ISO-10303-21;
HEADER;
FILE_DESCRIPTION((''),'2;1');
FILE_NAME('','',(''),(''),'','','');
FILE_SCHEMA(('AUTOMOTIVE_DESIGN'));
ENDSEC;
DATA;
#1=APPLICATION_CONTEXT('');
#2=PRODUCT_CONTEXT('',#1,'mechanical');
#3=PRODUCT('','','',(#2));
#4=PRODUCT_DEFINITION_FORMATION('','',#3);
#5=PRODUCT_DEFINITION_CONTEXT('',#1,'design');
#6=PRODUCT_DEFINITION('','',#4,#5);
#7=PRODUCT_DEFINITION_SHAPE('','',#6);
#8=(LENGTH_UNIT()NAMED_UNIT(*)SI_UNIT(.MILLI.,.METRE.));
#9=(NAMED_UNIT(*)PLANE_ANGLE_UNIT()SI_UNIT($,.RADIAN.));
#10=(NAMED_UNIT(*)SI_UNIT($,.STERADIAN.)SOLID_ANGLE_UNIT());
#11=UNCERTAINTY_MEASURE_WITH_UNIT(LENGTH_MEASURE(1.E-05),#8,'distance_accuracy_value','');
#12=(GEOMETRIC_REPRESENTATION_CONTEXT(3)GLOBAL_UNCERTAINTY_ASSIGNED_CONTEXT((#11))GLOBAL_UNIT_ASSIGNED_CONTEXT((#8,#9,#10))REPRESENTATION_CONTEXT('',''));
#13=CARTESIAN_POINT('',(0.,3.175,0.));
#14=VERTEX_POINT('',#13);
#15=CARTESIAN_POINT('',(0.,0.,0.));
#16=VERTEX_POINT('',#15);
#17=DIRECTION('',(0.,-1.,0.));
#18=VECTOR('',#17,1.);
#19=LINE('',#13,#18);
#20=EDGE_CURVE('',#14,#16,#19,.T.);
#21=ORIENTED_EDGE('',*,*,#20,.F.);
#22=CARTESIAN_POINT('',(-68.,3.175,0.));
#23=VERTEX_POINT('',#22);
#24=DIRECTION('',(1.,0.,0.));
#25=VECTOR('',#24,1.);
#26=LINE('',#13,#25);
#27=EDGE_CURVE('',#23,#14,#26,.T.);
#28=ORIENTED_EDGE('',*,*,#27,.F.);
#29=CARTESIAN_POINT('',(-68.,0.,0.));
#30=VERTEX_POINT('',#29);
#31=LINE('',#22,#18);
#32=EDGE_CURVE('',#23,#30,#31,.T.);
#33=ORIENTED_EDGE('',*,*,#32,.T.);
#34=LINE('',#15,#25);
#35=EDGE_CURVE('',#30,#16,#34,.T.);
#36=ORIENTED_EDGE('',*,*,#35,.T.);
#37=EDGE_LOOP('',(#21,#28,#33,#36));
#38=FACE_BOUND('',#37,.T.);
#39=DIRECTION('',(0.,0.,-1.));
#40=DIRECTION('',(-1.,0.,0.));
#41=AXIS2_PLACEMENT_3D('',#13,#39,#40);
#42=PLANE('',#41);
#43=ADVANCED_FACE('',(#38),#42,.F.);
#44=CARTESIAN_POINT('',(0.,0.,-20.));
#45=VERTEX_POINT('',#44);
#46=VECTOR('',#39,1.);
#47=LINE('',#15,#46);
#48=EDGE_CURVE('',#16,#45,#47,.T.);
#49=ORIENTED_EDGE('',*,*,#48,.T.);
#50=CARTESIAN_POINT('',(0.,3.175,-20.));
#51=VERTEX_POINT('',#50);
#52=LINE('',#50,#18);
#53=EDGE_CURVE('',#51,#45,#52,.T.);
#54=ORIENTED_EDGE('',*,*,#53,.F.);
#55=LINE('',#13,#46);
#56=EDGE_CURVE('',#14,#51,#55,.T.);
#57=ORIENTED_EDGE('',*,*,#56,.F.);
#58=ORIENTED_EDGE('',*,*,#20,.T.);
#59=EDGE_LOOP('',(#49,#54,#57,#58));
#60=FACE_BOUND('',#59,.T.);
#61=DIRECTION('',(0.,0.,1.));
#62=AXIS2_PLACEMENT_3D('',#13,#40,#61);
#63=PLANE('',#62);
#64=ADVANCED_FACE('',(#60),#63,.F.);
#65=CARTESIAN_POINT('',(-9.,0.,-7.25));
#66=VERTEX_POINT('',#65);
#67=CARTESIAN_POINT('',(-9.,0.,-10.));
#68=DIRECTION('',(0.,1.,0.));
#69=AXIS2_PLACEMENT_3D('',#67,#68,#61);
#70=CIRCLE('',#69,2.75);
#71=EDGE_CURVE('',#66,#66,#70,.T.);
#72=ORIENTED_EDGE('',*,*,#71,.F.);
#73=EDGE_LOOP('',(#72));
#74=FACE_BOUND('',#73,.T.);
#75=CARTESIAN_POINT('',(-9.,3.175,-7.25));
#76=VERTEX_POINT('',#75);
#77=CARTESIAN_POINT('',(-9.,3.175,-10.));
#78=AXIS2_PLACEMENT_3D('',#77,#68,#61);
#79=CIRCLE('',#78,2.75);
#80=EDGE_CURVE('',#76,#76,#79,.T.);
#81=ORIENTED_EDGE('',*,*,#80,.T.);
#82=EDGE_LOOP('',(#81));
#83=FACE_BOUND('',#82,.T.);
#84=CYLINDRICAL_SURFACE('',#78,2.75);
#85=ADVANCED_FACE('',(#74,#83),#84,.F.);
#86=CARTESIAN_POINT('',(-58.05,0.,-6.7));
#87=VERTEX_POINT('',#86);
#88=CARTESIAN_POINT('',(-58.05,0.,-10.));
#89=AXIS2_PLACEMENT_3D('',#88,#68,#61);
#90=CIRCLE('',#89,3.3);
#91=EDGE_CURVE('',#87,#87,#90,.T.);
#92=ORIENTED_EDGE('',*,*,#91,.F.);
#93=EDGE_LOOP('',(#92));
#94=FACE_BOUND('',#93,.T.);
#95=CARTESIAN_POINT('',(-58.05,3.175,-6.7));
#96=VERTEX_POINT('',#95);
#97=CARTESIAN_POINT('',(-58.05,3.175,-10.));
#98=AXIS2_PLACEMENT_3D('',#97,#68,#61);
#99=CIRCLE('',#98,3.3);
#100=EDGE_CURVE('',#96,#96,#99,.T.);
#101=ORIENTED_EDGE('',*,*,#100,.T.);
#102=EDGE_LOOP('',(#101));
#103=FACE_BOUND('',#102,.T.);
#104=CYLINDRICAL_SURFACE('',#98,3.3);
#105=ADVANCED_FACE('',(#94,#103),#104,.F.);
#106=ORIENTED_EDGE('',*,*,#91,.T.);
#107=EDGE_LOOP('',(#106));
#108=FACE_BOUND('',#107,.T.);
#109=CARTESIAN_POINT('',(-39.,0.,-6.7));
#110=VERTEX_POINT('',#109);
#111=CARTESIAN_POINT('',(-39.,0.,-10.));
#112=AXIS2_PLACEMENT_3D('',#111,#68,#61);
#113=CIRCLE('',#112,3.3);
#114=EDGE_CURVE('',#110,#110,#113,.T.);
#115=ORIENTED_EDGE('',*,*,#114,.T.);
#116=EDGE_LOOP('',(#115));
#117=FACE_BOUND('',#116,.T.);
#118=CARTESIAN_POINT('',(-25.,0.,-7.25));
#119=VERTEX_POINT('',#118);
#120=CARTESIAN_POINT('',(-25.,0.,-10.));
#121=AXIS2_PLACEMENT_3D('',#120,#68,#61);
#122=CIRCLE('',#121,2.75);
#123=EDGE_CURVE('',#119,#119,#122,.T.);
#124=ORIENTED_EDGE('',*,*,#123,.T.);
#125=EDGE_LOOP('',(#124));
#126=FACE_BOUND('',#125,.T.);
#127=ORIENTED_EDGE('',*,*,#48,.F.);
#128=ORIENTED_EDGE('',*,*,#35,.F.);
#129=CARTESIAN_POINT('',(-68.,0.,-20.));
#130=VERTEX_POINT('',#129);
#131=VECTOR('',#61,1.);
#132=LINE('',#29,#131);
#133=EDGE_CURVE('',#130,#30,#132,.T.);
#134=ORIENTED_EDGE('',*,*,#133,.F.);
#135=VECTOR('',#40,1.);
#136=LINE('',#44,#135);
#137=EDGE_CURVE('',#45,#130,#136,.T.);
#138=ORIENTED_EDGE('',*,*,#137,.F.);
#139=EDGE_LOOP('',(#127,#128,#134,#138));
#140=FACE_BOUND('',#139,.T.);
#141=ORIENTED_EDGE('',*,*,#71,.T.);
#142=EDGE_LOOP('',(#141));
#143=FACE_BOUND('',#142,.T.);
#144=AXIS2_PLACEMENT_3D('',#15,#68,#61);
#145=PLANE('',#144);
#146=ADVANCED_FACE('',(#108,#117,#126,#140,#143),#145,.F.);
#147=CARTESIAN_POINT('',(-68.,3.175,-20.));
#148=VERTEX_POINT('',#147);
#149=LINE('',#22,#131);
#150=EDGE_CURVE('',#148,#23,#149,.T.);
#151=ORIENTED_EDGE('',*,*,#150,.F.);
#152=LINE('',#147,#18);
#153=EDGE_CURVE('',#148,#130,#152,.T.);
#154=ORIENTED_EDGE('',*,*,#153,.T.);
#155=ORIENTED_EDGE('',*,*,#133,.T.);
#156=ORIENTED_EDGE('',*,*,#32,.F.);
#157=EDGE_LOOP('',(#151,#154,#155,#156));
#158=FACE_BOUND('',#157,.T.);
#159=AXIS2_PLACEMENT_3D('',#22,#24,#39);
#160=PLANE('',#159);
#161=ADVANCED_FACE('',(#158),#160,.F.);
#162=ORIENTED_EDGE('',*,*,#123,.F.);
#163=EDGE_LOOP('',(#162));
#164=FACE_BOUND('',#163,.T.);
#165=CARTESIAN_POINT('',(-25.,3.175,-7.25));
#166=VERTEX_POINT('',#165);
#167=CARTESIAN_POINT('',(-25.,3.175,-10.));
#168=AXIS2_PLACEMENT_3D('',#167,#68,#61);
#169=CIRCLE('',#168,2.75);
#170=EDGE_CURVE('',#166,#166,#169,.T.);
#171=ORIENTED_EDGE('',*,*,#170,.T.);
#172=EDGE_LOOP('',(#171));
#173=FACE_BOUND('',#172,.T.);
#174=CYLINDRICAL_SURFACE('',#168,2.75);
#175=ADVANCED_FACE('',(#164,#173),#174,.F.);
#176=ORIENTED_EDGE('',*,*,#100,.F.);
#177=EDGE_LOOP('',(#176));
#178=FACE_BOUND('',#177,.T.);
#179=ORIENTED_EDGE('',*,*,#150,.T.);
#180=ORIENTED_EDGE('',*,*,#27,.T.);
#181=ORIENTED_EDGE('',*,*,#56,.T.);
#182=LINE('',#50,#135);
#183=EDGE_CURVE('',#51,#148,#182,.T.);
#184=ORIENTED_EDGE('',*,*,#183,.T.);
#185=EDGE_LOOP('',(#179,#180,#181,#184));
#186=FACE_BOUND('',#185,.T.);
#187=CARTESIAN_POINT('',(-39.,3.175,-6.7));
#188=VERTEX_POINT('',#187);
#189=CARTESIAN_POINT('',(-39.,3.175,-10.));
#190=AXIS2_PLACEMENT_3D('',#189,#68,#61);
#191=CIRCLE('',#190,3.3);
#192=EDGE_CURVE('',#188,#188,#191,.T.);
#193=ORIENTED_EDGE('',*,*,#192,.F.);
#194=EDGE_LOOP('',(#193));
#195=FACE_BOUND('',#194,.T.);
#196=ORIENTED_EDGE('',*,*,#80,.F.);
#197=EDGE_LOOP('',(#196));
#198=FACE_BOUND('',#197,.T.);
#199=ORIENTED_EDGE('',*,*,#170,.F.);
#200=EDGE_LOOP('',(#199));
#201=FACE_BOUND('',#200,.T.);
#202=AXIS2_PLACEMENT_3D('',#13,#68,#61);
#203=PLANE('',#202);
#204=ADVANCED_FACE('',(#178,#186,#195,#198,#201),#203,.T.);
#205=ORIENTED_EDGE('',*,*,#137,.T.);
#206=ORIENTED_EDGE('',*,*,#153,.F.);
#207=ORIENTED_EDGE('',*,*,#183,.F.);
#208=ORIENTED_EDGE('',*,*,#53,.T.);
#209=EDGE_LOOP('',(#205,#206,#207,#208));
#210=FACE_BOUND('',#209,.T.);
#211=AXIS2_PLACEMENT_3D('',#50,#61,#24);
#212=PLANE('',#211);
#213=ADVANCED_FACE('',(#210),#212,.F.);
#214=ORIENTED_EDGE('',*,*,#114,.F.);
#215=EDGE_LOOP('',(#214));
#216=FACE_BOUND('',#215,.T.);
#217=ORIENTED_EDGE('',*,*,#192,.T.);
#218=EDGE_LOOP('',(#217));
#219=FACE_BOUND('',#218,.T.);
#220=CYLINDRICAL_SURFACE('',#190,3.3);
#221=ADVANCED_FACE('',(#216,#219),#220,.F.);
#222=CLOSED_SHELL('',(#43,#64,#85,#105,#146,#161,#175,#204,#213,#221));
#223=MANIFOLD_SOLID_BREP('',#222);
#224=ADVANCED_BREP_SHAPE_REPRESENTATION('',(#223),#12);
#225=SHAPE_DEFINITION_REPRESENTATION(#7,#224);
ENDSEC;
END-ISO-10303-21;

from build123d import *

# Parameters (mm, degrees)
SKETCH1_W                = 68
SKETCH1_H                = 20
BOSS_EXTRUDE1_DEPTH      = 3.175
M6_CLEARANCE_HOLE1_D     = 6.6
M6_CLEARANCE_HOLE1_DEPTH = 14
M6_CLEARANCE_HOLE1_TIP   = 1.982840043
M5_CLEARANCE_HOLE1_D     = 5.5
M5_CLEARANCE_HOLE1_DEPTH = 14
M5_CLEARANCE_HOLE1_TIP   = 1.652366702


with BuildPart() as part:
    # Sketch1 → Boss-Extrude1 (new body)
    with BuildSketch(Plane(origin=(0, 0, 0), x_dir=(1, 0, 0), z_dir=(0, 1, 0))):
        with Locations((-34, 10)):
            Rectangle(SKETCH1_W, SKETCH1_H)
    extrude(amount=BOSS_EXTRUDE1_DEPTH)

    # M6 Clearance Hole1
    with Locations(Plane(origin=(-39, 3.175, -10), x_dir=(0, 0, 1), z_dir=(0, 1, 0))):
        with Locations((0, 0), (0, -19.05)):
            Hole(M6_CLEARANCE_HOLE1_D / 2, depth=M6_CLEARANCE_HOLE1_DEPTH)
            with Locations((0, 0, -(M6_CLEARANCE_HOLE1_DEPTH + M6_CLEARANCE_HOLE1_TIP / 2))):  # 118° drill point
                Cone(0, M6_CLEARANCE_HOLE1_D / 2, M6_CLEARANCE_HOLE1_TIP, mode=Mode.SUBTRACT)

    # M5 Clearance Hole1
    with Locations(Plane(origin=(-25, 3.175, -10), x_dir=(0, 0, 1), z_dir=(0, 1, 0))):
        with Locations((0, 0), (0, 16)):
            Hole(M5_CLEARANCE_HOLE1_D / 2, depth=M5_CLEARANCE_HOLE1_DEPTH)
            with Locations((0, 0, -(M5_CLEARANCE_HOLE1_DEPTH + M5_CLEARANCE_HOLE1_TIP / 2))):  # 118° drill point
                Cone(0, M5_CLEARANCE_HOLE1_D / 2, M5_CLEARANCE_HOLE1_TIP, mode=Mode.SUBTRACT)


solid = part.part
